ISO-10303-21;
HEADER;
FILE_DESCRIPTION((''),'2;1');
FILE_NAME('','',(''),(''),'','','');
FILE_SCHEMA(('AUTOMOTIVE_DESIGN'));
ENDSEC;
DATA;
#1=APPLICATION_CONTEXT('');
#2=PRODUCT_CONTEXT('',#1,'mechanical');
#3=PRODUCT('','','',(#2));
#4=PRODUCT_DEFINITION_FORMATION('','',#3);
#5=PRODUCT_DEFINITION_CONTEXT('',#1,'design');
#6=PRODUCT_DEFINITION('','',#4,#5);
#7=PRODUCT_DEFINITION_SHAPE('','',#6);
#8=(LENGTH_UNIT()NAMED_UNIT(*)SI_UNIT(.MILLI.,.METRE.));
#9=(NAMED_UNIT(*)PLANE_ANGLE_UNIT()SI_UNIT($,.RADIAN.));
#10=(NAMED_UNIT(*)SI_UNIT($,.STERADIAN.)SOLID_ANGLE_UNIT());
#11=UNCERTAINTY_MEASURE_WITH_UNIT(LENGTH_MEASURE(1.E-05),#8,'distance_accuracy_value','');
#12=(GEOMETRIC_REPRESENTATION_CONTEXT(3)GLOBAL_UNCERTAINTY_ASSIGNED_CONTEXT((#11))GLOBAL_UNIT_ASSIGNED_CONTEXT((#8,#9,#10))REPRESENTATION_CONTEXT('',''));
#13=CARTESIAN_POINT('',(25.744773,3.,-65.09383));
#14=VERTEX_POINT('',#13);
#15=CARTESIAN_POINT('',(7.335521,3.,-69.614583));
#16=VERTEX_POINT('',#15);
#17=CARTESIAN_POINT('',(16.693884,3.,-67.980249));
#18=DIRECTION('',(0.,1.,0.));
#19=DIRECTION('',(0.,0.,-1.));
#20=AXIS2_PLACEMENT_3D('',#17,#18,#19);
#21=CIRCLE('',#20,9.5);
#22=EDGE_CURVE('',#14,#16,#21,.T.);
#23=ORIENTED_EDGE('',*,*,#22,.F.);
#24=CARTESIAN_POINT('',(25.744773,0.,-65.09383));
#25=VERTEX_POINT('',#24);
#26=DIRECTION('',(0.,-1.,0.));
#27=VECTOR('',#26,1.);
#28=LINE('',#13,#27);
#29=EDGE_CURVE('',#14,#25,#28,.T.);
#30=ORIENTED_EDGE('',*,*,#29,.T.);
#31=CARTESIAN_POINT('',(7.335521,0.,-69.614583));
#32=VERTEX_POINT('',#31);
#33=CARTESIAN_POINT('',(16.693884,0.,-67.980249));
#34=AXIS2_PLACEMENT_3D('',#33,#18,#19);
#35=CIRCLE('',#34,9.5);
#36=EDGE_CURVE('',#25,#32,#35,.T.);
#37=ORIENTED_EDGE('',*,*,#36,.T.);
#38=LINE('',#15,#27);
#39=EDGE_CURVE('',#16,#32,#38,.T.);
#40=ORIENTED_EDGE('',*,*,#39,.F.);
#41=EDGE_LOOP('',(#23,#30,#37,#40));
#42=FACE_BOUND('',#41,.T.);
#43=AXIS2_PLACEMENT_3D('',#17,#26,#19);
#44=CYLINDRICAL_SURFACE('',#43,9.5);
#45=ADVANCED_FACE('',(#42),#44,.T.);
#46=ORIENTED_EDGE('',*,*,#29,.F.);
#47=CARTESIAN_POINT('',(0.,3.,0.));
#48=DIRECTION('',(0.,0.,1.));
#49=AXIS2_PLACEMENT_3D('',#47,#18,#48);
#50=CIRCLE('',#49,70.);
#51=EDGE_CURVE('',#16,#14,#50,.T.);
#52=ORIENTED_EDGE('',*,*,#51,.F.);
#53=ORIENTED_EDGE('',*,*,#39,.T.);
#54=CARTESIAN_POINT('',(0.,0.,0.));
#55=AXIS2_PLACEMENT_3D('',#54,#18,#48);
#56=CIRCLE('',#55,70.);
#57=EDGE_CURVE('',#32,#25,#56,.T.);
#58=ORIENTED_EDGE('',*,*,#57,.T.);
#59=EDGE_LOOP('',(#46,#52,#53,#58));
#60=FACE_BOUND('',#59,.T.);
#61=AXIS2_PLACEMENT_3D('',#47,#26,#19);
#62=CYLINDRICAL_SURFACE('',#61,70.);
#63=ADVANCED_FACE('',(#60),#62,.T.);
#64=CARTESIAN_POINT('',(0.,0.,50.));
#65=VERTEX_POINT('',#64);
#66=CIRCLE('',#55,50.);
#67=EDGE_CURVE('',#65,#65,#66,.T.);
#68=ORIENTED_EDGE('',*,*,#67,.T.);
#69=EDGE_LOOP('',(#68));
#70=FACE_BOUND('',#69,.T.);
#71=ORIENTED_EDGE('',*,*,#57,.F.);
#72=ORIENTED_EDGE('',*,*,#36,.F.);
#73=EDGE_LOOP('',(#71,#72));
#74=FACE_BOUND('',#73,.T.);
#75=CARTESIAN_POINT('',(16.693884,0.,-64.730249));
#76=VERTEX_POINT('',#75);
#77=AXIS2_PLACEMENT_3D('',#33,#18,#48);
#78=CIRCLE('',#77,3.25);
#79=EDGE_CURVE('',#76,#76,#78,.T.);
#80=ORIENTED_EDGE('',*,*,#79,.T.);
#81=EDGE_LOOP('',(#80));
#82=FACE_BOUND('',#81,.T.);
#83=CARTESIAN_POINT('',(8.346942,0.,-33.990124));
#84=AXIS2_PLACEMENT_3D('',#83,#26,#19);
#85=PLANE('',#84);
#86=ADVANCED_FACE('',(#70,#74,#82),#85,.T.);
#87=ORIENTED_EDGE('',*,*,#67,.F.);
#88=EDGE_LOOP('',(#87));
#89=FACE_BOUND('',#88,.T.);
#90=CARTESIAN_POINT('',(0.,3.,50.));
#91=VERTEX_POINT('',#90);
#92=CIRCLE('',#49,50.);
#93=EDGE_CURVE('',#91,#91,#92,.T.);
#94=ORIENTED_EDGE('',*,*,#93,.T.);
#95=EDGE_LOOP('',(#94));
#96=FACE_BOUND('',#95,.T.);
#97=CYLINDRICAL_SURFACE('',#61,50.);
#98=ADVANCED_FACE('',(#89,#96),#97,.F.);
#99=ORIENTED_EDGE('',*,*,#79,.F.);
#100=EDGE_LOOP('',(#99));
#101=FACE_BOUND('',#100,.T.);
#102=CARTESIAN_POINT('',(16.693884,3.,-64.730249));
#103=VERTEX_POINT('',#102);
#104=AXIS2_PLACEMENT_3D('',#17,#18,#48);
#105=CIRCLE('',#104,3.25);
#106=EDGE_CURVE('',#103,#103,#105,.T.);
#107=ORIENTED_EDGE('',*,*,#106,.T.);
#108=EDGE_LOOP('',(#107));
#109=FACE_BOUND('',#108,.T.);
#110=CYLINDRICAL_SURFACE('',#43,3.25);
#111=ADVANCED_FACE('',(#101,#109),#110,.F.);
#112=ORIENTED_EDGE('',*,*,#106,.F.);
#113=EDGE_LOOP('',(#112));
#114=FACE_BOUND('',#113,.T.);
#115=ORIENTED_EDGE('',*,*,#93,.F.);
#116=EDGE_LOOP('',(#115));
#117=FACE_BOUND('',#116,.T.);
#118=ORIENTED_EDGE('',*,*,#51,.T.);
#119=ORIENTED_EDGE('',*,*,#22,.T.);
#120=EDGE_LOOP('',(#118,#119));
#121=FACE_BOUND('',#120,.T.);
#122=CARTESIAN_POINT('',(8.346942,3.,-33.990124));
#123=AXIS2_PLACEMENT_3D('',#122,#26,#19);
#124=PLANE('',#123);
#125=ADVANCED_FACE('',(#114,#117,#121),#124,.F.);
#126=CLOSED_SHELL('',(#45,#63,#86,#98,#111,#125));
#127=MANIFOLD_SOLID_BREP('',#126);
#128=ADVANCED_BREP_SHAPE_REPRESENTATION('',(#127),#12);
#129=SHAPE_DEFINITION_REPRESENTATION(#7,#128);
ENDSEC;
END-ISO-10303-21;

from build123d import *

# Parameters (mm, degrees)
SKETCH1_R           = 50
SKETCH1_R_2         = 3.25
BOSS_EXTRUDE1_DEPTH = 3


with BuildPart() as part:
    # Sketch1 → Boss-Extrude1 (new body)
    with BuildSketch(Plane(origin=(0, 0, 0), x_dir=(1, 0, 0), z_dir=(0, 1, 0))):
        with BuildLine():
            ThreePointArc((7.33552118, 69.614582732), (-16.693883906, -67.980248897), (25.744772546, 65.093829865))
            ThreePointArc((25.744772546, 65.093829865), (18.959482437, 77.206139819), (7.33552118, 69.614582732))
        make_face()
        Circle(SKETCH1_R, mode=Mode.SUBTRACT)
        with Locations((16.693883906, 67.980248897)):
            Circle(SKETCH1_R_2, mode=Mode.SUBTRACT)
    extrude(amount=BOSS_EXTRUDE1_DEPTH)


solid = part.part
